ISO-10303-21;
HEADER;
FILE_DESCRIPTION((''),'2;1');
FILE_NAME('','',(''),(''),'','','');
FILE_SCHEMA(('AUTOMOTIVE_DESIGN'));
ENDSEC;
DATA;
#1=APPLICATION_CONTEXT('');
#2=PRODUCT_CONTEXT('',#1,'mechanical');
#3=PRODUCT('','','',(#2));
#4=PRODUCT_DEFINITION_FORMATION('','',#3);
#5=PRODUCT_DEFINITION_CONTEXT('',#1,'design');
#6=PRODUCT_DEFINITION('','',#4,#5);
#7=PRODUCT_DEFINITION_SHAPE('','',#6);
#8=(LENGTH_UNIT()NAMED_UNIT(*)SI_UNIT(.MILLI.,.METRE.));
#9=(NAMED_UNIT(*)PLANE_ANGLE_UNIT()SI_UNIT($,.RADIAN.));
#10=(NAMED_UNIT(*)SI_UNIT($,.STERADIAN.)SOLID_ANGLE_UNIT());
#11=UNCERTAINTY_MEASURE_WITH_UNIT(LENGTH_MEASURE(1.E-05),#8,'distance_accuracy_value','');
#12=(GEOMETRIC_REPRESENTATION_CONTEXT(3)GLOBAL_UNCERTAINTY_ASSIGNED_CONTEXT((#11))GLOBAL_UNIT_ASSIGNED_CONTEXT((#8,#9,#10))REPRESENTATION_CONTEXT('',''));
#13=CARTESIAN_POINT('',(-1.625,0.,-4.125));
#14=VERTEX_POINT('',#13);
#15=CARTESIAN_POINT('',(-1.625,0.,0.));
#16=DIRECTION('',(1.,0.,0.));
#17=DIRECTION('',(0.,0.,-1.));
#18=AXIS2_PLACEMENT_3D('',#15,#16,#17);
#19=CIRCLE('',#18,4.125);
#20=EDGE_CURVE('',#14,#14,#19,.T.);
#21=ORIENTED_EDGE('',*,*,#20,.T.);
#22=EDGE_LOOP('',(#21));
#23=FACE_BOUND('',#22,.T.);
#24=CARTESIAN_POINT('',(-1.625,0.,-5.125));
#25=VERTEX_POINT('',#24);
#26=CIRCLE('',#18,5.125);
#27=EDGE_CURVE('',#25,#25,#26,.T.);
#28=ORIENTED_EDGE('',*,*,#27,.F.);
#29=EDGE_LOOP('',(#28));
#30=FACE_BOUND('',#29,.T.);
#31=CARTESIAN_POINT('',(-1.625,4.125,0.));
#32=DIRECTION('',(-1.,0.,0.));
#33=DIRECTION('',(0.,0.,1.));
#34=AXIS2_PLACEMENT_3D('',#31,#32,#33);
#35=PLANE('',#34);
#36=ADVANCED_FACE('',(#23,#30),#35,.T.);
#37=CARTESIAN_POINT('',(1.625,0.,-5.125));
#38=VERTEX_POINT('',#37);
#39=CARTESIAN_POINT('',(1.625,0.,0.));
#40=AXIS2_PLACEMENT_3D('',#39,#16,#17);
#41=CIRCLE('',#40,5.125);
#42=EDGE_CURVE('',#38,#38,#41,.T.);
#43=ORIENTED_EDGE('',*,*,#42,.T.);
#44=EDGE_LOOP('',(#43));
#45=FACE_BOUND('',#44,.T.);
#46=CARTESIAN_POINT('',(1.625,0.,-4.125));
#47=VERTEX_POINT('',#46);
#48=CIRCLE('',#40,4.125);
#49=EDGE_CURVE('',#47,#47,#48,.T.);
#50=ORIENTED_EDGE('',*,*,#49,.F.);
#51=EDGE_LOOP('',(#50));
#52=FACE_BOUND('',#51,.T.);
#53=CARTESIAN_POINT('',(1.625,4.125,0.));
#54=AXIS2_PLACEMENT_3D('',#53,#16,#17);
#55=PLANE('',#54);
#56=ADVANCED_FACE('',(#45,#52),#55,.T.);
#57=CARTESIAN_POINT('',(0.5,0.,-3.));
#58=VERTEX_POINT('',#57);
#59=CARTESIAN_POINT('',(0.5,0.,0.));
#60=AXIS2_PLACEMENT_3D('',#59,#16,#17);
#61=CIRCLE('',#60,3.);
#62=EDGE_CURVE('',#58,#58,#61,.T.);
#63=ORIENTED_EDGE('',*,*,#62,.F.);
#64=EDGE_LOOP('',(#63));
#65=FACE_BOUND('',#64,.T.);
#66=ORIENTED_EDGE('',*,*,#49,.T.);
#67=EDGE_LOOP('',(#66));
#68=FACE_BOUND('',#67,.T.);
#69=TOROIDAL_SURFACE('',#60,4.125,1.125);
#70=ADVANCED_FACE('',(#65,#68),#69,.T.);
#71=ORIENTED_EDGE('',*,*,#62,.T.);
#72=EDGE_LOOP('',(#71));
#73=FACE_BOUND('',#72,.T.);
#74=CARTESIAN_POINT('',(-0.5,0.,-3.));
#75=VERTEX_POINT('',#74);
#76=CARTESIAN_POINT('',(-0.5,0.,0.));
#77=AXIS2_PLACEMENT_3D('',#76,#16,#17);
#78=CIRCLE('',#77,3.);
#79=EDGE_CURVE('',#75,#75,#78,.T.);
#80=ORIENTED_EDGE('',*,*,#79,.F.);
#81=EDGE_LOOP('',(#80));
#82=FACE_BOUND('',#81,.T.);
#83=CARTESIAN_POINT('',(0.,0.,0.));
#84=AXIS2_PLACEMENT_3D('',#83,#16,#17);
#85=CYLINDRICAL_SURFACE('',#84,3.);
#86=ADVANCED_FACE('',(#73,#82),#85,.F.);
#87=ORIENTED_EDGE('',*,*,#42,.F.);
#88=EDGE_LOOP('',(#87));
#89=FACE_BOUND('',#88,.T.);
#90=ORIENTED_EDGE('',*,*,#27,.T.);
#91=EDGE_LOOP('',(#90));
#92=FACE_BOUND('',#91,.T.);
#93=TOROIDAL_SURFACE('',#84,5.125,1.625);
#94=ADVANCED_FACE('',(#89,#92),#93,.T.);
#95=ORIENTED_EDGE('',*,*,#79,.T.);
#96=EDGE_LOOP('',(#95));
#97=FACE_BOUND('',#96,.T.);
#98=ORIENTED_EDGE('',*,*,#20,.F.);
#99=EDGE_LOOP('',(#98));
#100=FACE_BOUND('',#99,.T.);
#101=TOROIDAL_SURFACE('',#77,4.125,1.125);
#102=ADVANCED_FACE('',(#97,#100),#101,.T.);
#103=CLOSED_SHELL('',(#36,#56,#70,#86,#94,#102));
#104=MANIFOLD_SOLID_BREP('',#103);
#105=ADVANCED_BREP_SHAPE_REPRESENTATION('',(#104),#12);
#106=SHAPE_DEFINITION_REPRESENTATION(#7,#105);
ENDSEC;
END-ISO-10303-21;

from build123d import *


with BuildPart() as part:
    # Sketch1 → Revolve1 (revolve)
    with BuildSketch(Plane.XY, mode=Mode.PRIVATE) as revolve1_sk:
        with BuildLine():
            Line((-0.5, 3), (0.5, 3))
            ThreePointArc((0.5, 3), (1.295495129, 3.329504871), (1.625, 4.125))
            Line((1.625, 4.125), (1.625, 5.125))
            ThreePointArc((1.625, 5.125), (0, 6.75), (-1.625, 5.125))
            Line((-1.625, 5.125), (-1.625, 4.125))
            ThreePointArc((-1.625, 4.125), (-1.295495129, 3.329504871), (-0.5, 3))
        make_face()
    revolve(revolve1_sk.sketch.rotate(Axis((0, 0, 0), (-1, 0, 0)), 90), axis=Axis((0, 0, 0), (-1, 0, 0)))


solid = part.part
